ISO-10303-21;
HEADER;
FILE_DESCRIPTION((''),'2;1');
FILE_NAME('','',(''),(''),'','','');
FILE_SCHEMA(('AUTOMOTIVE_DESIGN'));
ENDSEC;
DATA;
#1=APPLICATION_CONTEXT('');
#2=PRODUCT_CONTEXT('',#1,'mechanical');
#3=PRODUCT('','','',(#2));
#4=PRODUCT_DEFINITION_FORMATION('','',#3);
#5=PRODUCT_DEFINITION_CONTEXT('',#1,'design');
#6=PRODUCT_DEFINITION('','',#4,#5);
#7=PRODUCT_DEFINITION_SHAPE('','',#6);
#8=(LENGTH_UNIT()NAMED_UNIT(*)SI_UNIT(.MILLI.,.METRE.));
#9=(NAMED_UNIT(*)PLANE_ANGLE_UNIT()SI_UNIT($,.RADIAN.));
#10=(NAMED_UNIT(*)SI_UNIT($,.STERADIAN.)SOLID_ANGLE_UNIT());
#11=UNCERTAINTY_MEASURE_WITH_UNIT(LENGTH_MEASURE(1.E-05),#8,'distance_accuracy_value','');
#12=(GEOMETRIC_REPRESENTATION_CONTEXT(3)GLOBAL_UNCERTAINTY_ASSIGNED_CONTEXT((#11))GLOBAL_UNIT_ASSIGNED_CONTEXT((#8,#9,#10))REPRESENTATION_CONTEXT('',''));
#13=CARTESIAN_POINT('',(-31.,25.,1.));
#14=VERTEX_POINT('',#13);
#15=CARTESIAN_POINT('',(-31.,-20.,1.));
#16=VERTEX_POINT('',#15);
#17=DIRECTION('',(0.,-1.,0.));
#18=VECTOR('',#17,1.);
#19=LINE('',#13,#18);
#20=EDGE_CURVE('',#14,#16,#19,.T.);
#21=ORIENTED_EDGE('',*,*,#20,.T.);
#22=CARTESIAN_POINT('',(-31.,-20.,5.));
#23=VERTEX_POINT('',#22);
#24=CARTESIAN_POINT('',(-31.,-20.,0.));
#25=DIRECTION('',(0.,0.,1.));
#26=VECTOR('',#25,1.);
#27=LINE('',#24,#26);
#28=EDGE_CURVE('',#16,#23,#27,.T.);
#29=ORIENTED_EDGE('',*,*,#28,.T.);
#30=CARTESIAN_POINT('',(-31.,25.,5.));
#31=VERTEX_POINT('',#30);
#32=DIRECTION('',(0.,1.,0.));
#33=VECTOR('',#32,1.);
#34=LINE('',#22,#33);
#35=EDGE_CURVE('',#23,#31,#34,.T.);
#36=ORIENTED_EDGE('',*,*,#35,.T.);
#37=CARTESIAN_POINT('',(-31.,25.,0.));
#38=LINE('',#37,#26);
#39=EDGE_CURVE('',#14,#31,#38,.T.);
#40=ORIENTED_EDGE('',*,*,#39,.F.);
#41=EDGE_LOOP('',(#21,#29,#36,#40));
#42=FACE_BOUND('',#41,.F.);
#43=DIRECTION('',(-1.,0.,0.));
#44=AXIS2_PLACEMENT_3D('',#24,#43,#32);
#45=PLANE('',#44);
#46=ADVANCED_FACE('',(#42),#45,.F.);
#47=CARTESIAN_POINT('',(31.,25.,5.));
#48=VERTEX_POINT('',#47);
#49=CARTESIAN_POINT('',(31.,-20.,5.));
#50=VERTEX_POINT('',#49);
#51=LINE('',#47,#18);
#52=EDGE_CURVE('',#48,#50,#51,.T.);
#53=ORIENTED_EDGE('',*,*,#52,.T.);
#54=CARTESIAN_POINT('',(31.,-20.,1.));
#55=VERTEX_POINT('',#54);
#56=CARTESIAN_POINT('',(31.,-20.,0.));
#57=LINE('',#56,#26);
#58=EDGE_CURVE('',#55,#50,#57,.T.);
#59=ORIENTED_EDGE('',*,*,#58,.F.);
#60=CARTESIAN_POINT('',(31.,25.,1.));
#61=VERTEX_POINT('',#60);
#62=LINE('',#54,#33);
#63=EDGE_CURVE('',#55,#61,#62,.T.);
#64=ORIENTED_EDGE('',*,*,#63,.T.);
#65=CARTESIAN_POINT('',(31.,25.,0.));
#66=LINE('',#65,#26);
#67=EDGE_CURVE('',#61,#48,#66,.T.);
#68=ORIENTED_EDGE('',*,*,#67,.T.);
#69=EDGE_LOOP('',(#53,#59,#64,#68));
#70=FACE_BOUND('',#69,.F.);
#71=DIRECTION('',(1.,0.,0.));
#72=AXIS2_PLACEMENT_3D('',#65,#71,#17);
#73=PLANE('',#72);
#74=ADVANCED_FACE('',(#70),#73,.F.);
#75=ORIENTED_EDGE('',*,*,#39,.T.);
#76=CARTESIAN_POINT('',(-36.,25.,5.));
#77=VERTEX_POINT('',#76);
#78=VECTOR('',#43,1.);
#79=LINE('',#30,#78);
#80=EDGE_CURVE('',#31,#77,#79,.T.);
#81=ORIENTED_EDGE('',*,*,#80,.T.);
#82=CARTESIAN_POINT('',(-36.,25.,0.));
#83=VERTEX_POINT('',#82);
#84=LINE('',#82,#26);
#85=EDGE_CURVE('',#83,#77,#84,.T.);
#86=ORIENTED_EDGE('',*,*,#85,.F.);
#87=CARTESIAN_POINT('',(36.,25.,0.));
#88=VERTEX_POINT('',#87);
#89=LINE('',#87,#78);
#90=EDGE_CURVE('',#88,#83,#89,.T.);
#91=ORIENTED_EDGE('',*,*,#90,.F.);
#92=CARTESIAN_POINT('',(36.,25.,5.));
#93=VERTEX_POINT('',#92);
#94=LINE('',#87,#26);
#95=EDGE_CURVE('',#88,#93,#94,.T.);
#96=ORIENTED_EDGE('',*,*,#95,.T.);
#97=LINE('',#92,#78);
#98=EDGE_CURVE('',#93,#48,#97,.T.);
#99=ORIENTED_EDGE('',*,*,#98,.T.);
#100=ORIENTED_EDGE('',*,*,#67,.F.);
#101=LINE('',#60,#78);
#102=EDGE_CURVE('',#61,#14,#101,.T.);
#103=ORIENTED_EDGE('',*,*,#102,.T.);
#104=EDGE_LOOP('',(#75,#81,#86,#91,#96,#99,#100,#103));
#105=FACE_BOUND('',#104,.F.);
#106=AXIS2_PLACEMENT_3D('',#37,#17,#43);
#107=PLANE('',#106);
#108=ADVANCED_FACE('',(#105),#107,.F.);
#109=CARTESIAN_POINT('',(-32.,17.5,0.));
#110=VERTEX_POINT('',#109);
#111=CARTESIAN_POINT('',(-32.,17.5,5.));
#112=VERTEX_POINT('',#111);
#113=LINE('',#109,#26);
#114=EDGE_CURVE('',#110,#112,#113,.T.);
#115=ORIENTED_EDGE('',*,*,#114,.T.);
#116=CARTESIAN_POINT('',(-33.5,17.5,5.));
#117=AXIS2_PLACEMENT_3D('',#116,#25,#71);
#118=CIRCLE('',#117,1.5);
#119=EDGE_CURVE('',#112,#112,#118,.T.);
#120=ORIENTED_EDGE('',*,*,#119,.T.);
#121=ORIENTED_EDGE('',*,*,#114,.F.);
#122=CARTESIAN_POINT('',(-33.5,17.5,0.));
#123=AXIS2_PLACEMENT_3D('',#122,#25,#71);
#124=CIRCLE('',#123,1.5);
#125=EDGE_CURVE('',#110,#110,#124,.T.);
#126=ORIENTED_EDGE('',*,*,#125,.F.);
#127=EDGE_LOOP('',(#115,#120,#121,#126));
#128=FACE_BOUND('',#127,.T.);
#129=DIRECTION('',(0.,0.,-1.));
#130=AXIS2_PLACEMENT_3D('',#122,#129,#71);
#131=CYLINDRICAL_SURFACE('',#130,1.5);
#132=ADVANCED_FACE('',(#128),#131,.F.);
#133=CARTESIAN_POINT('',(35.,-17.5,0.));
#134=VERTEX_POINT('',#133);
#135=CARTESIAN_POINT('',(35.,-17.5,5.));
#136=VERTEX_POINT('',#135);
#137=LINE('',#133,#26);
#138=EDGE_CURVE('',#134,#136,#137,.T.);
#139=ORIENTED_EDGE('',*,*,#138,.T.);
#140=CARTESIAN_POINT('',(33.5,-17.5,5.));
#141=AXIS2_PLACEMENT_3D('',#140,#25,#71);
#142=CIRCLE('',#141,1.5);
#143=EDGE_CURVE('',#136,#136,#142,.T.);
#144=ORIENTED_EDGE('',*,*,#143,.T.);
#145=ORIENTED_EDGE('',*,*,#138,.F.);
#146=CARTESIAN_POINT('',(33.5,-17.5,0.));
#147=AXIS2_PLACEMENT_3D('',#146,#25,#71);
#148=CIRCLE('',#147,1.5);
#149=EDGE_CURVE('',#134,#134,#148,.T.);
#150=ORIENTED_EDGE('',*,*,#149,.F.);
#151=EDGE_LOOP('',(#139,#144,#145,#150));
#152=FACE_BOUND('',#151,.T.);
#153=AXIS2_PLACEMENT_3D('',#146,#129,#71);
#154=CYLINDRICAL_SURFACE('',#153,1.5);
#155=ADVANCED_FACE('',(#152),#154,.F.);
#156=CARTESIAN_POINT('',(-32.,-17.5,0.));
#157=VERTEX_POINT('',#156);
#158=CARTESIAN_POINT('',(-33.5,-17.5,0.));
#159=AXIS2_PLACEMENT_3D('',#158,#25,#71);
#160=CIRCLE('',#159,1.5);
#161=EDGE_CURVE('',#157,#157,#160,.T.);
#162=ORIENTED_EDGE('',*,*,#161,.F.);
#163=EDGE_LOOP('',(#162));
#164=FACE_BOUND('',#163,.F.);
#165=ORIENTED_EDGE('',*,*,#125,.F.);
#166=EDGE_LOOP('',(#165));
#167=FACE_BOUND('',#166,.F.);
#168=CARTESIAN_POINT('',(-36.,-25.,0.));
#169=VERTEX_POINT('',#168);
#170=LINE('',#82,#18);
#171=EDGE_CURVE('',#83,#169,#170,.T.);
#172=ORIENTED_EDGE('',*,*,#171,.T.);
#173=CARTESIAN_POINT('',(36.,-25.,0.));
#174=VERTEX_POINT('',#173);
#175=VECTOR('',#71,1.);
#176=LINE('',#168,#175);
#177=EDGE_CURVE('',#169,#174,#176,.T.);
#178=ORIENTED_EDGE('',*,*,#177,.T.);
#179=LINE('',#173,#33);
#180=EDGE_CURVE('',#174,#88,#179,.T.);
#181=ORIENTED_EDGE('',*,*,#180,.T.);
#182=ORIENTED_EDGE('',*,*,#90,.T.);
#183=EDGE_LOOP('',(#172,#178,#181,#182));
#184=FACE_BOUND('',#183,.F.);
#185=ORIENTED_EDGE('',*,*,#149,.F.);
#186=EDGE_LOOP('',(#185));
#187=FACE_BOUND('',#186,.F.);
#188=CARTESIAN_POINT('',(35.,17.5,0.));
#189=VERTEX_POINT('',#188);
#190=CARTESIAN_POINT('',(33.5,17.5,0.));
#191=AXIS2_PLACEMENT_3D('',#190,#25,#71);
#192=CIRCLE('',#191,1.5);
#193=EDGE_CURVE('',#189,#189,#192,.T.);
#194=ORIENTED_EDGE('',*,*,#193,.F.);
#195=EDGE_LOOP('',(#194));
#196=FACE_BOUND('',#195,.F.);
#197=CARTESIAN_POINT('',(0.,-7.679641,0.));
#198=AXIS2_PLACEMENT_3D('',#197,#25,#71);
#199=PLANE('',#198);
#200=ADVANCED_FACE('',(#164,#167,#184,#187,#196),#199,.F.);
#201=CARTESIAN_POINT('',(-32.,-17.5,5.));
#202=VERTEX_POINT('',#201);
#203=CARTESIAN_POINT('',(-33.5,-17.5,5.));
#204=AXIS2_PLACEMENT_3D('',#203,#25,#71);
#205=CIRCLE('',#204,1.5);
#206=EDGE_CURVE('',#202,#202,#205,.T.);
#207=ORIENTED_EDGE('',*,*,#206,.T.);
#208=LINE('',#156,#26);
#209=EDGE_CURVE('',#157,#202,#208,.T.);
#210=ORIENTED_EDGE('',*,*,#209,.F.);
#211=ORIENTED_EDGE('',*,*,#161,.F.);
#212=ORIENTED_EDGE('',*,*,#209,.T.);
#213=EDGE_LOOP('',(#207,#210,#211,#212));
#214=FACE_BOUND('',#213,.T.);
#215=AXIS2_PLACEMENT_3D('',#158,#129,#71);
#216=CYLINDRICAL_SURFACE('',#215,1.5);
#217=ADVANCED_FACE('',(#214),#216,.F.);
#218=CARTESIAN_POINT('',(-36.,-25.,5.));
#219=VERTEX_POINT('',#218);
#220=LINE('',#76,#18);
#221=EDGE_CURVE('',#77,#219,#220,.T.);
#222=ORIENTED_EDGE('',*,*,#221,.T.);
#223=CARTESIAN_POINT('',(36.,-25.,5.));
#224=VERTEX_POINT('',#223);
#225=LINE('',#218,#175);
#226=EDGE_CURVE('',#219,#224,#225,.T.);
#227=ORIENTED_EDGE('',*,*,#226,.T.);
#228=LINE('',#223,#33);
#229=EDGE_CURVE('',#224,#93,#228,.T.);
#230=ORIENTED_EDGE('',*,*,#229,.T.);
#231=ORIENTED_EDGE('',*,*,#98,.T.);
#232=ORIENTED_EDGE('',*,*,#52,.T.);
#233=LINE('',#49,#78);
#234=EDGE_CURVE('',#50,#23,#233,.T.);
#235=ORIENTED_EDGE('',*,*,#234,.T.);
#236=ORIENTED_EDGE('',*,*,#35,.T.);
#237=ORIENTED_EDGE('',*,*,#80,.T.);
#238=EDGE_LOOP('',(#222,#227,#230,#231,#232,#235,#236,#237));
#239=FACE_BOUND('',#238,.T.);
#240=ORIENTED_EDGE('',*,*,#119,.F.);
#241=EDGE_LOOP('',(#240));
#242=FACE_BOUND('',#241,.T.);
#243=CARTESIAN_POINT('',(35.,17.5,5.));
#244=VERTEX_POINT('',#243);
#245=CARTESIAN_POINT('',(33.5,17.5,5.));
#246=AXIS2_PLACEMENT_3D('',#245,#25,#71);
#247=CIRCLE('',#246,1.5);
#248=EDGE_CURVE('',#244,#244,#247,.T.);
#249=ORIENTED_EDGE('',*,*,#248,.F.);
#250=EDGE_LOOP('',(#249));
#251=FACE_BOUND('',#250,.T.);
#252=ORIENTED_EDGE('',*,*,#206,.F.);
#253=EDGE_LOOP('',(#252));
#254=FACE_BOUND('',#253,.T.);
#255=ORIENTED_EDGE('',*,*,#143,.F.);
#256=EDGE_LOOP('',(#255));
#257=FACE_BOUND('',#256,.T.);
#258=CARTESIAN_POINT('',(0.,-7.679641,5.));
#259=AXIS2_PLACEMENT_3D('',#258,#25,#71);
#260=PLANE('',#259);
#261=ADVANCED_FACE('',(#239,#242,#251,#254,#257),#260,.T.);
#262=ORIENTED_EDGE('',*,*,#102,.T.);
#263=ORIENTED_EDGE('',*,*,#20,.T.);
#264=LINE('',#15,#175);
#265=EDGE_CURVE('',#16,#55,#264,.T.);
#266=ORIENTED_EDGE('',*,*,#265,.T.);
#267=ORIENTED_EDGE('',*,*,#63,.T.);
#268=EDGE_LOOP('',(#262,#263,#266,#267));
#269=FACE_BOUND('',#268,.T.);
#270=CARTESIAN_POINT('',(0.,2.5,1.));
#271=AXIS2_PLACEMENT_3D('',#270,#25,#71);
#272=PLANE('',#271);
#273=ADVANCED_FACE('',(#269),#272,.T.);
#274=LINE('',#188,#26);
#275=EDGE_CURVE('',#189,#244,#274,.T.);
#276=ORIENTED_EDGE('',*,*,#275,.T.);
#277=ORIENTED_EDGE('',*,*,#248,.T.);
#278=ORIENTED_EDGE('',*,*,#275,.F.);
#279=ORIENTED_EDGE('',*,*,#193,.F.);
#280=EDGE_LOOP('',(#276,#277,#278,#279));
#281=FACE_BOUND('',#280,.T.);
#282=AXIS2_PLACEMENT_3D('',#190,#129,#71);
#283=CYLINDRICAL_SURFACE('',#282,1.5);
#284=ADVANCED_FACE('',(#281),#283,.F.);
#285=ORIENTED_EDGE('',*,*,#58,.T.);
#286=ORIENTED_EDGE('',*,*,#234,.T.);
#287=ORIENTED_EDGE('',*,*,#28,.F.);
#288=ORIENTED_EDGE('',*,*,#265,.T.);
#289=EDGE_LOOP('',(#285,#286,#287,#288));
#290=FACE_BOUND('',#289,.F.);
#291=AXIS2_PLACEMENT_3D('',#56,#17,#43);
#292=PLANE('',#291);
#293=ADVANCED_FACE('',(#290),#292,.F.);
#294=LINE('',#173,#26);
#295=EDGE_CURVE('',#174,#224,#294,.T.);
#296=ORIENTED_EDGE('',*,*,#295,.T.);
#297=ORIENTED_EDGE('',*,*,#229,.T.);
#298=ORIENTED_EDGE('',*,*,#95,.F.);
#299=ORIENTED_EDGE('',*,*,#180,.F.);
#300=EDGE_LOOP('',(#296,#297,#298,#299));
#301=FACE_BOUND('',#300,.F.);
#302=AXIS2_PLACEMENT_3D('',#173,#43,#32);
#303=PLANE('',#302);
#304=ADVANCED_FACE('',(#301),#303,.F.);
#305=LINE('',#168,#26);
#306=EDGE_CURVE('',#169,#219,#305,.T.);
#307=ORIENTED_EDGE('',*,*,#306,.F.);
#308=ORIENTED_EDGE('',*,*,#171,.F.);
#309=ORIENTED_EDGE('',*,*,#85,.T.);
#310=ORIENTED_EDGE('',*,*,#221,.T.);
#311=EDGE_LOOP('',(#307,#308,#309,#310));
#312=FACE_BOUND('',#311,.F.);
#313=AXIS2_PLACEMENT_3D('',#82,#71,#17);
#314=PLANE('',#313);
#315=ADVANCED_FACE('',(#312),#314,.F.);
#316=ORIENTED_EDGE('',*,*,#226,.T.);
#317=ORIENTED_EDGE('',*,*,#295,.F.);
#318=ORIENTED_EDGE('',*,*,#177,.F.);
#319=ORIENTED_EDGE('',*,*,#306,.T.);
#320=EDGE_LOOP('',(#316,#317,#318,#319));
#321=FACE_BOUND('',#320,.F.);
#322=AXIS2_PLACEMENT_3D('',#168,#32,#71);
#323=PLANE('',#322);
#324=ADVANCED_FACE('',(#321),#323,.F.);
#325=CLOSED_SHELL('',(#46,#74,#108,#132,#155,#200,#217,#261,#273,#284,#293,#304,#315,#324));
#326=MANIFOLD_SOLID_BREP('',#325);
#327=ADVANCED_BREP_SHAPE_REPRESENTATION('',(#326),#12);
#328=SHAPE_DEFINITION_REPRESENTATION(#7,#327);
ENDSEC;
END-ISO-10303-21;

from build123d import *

# Parameters (mm, degrees)
F1_DEPTH = 1
F0_R     = 1.5
F2_DEPTH = 5


with BuildPart() as f1:
    # F0 (on Top) → F1 (new body)
    with BuildSketch(Plane.XY):
        Polygon((0, 25), (-31, 25), (-31, 20), (-31, 0), (-31, -20), (0, -20), (31, -20), (31, 0), (31, 20), (31, 25), align=None)
    extrude(amount=F1_DEPTH)

    # F0 (on Top) → F2 (join)
    with BuildSketch(Plane.XY):
        Polygon((-36, 25), (-36, 0), (-36, -25), (0, -25), (36, -25), (36, 0), (36, 25), (31, 25), (31, 20), (31, 0), (31, -20), (0, -20), (-31, -20), (-31, 0), (-31, 20), (-31, 25), align=None)
        with Locations((-33.5, -17.5)):
            Circle(F0_R, mode=Mode.SUBTRACT)
        with Locations((33.5, -17.5)):
            Circle(F0_R, mode=Mode.SUBTRACT)
        with Locations((-33.5, 17.5)):
            Circle(F0_R, mode=Mode.SUBTRACT)
        with Locations((33.5, 17.5)):
            Circle(F0_R, mode=Mode.SUBTRACT)
    extrude(amount=F2_DEPTH)


solid = f1.part
